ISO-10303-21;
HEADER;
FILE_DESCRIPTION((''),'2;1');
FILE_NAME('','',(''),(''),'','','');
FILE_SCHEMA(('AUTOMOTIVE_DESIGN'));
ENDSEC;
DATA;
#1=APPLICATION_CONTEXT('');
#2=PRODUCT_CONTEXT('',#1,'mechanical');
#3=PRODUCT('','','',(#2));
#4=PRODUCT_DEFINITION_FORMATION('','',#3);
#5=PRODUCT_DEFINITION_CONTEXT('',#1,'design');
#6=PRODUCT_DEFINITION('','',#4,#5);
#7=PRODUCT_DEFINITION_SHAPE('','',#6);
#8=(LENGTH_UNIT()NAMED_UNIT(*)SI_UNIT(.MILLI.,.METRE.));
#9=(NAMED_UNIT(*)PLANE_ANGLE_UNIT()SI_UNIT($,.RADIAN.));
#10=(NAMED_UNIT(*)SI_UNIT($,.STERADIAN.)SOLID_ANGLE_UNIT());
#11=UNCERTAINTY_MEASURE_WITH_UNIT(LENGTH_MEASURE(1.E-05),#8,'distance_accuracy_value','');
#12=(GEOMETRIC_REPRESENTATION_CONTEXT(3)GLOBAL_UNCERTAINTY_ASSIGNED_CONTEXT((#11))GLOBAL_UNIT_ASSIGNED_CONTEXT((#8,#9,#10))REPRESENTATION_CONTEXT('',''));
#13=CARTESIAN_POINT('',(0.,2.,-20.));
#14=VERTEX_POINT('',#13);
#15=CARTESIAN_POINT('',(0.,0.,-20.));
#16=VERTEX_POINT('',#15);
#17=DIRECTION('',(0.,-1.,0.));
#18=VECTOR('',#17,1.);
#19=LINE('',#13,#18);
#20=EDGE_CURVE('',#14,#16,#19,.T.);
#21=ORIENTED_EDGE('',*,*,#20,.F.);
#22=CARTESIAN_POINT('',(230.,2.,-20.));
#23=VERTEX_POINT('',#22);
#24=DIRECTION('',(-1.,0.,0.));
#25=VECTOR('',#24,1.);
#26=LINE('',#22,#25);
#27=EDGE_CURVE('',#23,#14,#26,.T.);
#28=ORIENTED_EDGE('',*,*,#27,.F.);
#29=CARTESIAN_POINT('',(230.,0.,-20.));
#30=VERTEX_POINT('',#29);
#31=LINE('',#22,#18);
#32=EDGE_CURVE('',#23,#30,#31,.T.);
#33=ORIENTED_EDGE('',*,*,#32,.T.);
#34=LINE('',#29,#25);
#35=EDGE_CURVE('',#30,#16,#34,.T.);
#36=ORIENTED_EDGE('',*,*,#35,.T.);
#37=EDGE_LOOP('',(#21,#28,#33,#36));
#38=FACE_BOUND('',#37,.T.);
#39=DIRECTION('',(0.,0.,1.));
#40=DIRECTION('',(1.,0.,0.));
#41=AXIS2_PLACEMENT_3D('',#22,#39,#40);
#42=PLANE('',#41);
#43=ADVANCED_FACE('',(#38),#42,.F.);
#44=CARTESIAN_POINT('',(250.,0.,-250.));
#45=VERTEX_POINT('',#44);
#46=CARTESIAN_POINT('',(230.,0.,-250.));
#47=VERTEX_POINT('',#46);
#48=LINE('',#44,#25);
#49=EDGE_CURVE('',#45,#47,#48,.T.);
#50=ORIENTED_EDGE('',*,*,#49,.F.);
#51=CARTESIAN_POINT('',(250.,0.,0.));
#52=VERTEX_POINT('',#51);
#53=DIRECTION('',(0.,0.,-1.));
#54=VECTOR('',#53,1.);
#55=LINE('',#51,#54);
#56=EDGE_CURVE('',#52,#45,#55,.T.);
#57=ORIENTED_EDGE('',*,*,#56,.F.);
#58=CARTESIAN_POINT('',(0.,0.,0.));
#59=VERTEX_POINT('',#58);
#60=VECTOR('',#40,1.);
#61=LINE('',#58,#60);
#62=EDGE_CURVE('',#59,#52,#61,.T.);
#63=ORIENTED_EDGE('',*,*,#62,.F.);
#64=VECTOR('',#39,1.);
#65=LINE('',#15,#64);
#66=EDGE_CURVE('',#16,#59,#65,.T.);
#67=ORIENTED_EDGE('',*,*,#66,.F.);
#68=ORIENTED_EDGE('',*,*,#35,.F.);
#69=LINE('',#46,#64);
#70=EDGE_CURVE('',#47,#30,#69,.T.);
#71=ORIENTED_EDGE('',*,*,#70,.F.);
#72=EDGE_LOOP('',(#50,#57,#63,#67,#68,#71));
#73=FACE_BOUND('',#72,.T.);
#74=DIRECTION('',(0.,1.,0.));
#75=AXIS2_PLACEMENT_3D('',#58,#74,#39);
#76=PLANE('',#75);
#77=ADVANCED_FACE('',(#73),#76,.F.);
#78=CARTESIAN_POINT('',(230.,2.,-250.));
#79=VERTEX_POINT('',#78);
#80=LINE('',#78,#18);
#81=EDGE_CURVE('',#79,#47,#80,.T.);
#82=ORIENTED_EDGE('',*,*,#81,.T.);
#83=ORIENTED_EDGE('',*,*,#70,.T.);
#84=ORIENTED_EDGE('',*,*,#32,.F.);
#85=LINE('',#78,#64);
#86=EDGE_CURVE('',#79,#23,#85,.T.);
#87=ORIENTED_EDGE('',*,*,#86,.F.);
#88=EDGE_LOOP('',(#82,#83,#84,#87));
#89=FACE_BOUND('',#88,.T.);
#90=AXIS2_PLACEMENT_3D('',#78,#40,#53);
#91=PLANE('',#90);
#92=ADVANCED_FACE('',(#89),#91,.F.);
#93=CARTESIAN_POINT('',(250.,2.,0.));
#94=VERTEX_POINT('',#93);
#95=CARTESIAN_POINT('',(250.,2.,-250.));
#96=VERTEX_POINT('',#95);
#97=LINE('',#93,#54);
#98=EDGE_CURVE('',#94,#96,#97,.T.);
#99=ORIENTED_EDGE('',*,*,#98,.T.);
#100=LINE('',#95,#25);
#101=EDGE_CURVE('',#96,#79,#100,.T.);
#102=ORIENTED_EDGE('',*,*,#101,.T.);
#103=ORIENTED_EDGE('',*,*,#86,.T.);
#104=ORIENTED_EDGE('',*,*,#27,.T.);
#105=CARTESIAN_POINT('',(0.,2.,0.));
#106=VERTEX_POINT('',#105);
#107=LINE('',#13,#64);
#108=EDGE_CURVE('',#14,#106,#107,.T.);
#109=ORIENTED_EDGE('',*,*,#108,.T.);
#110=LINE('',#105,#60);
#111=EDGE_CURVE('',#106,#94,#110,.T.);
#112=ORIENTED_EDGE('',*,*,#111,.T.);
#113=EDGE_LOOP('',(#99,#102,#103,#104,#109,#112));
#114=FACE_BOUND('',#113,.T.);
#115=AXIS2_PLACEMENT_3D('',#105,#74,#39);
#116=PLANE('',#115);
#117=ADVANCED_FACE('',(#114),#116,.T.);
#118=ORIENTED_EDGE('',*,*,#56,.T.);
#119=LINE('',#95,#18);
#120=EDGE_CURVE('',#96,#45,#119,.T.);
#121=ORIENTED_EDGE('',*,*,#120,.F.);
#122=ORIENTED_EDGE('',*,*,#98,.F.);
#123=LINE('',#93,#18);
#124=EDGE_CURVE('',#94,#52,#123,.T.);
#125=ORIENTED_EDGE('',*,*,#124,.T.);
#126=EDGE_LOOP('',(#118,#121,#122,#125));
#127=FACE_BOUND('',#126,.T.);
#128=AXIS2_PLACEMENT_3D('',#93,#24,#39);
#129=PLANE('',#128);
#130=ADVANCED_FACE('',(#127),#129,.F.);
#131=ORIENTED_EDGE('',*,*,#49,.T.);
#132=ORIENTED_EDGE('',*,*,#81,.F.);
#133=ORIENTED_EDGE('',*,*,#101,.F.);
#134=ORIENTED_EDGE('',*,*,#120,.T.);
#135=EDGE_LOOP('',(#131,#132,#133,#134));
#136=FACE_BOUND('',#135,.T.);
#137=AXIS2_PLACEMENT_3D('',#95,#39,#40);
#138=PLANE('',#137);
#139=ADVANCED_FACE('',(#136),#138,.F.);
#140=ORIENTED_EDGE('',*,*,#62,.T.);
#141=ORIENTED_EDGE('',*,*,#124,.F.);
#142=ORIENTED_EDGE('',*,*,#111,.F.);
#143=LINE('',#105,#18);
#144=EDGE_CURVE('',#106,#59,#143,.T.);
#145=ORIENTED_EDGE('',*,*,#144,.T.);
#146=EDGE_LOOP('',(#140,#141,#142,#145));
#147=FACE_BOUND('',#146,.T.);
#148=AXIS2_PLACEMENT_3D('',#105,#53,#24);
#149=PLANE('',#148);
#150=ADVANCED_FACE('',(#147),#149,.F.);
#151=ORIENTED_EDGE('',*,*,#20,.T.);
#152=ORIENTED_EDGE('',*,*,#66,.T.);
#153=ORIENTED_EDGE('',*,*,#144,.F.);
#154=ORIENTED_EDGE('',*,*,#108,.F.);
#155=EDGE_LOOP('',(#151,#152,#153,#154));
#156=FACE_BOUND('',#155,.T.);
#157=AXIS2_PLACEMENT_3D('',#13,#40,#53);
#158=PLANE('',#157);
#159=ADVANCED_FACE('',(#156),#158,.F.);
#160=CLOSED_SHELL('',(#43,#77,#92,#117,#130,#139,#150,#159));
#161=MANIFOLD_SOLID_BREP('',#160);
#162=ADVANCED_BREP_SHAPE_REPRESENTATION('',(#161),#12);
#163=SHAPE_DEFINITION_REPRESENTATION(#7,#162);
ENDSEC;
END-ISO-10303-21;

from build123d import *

# Parameters (mm, degrees)
BOSS_EXTRUDE1_DEPTH = 2


with BuildPart() as part:
    # Sketch1 → Boss-Extrude1 (new body)
    with BuildSketch(Plane(origin=(0, 0, 0), x_dir=(1, 0, 0), z_dir=(0, 1, 0))):
        Polygon((0, 0), (250, 0), (250, 250), (230, 250), (230, 20), (0, 20), align=None)
    extrude(amount=BOSS_EXTRUDE1_DEPTH)


solid = part.part
